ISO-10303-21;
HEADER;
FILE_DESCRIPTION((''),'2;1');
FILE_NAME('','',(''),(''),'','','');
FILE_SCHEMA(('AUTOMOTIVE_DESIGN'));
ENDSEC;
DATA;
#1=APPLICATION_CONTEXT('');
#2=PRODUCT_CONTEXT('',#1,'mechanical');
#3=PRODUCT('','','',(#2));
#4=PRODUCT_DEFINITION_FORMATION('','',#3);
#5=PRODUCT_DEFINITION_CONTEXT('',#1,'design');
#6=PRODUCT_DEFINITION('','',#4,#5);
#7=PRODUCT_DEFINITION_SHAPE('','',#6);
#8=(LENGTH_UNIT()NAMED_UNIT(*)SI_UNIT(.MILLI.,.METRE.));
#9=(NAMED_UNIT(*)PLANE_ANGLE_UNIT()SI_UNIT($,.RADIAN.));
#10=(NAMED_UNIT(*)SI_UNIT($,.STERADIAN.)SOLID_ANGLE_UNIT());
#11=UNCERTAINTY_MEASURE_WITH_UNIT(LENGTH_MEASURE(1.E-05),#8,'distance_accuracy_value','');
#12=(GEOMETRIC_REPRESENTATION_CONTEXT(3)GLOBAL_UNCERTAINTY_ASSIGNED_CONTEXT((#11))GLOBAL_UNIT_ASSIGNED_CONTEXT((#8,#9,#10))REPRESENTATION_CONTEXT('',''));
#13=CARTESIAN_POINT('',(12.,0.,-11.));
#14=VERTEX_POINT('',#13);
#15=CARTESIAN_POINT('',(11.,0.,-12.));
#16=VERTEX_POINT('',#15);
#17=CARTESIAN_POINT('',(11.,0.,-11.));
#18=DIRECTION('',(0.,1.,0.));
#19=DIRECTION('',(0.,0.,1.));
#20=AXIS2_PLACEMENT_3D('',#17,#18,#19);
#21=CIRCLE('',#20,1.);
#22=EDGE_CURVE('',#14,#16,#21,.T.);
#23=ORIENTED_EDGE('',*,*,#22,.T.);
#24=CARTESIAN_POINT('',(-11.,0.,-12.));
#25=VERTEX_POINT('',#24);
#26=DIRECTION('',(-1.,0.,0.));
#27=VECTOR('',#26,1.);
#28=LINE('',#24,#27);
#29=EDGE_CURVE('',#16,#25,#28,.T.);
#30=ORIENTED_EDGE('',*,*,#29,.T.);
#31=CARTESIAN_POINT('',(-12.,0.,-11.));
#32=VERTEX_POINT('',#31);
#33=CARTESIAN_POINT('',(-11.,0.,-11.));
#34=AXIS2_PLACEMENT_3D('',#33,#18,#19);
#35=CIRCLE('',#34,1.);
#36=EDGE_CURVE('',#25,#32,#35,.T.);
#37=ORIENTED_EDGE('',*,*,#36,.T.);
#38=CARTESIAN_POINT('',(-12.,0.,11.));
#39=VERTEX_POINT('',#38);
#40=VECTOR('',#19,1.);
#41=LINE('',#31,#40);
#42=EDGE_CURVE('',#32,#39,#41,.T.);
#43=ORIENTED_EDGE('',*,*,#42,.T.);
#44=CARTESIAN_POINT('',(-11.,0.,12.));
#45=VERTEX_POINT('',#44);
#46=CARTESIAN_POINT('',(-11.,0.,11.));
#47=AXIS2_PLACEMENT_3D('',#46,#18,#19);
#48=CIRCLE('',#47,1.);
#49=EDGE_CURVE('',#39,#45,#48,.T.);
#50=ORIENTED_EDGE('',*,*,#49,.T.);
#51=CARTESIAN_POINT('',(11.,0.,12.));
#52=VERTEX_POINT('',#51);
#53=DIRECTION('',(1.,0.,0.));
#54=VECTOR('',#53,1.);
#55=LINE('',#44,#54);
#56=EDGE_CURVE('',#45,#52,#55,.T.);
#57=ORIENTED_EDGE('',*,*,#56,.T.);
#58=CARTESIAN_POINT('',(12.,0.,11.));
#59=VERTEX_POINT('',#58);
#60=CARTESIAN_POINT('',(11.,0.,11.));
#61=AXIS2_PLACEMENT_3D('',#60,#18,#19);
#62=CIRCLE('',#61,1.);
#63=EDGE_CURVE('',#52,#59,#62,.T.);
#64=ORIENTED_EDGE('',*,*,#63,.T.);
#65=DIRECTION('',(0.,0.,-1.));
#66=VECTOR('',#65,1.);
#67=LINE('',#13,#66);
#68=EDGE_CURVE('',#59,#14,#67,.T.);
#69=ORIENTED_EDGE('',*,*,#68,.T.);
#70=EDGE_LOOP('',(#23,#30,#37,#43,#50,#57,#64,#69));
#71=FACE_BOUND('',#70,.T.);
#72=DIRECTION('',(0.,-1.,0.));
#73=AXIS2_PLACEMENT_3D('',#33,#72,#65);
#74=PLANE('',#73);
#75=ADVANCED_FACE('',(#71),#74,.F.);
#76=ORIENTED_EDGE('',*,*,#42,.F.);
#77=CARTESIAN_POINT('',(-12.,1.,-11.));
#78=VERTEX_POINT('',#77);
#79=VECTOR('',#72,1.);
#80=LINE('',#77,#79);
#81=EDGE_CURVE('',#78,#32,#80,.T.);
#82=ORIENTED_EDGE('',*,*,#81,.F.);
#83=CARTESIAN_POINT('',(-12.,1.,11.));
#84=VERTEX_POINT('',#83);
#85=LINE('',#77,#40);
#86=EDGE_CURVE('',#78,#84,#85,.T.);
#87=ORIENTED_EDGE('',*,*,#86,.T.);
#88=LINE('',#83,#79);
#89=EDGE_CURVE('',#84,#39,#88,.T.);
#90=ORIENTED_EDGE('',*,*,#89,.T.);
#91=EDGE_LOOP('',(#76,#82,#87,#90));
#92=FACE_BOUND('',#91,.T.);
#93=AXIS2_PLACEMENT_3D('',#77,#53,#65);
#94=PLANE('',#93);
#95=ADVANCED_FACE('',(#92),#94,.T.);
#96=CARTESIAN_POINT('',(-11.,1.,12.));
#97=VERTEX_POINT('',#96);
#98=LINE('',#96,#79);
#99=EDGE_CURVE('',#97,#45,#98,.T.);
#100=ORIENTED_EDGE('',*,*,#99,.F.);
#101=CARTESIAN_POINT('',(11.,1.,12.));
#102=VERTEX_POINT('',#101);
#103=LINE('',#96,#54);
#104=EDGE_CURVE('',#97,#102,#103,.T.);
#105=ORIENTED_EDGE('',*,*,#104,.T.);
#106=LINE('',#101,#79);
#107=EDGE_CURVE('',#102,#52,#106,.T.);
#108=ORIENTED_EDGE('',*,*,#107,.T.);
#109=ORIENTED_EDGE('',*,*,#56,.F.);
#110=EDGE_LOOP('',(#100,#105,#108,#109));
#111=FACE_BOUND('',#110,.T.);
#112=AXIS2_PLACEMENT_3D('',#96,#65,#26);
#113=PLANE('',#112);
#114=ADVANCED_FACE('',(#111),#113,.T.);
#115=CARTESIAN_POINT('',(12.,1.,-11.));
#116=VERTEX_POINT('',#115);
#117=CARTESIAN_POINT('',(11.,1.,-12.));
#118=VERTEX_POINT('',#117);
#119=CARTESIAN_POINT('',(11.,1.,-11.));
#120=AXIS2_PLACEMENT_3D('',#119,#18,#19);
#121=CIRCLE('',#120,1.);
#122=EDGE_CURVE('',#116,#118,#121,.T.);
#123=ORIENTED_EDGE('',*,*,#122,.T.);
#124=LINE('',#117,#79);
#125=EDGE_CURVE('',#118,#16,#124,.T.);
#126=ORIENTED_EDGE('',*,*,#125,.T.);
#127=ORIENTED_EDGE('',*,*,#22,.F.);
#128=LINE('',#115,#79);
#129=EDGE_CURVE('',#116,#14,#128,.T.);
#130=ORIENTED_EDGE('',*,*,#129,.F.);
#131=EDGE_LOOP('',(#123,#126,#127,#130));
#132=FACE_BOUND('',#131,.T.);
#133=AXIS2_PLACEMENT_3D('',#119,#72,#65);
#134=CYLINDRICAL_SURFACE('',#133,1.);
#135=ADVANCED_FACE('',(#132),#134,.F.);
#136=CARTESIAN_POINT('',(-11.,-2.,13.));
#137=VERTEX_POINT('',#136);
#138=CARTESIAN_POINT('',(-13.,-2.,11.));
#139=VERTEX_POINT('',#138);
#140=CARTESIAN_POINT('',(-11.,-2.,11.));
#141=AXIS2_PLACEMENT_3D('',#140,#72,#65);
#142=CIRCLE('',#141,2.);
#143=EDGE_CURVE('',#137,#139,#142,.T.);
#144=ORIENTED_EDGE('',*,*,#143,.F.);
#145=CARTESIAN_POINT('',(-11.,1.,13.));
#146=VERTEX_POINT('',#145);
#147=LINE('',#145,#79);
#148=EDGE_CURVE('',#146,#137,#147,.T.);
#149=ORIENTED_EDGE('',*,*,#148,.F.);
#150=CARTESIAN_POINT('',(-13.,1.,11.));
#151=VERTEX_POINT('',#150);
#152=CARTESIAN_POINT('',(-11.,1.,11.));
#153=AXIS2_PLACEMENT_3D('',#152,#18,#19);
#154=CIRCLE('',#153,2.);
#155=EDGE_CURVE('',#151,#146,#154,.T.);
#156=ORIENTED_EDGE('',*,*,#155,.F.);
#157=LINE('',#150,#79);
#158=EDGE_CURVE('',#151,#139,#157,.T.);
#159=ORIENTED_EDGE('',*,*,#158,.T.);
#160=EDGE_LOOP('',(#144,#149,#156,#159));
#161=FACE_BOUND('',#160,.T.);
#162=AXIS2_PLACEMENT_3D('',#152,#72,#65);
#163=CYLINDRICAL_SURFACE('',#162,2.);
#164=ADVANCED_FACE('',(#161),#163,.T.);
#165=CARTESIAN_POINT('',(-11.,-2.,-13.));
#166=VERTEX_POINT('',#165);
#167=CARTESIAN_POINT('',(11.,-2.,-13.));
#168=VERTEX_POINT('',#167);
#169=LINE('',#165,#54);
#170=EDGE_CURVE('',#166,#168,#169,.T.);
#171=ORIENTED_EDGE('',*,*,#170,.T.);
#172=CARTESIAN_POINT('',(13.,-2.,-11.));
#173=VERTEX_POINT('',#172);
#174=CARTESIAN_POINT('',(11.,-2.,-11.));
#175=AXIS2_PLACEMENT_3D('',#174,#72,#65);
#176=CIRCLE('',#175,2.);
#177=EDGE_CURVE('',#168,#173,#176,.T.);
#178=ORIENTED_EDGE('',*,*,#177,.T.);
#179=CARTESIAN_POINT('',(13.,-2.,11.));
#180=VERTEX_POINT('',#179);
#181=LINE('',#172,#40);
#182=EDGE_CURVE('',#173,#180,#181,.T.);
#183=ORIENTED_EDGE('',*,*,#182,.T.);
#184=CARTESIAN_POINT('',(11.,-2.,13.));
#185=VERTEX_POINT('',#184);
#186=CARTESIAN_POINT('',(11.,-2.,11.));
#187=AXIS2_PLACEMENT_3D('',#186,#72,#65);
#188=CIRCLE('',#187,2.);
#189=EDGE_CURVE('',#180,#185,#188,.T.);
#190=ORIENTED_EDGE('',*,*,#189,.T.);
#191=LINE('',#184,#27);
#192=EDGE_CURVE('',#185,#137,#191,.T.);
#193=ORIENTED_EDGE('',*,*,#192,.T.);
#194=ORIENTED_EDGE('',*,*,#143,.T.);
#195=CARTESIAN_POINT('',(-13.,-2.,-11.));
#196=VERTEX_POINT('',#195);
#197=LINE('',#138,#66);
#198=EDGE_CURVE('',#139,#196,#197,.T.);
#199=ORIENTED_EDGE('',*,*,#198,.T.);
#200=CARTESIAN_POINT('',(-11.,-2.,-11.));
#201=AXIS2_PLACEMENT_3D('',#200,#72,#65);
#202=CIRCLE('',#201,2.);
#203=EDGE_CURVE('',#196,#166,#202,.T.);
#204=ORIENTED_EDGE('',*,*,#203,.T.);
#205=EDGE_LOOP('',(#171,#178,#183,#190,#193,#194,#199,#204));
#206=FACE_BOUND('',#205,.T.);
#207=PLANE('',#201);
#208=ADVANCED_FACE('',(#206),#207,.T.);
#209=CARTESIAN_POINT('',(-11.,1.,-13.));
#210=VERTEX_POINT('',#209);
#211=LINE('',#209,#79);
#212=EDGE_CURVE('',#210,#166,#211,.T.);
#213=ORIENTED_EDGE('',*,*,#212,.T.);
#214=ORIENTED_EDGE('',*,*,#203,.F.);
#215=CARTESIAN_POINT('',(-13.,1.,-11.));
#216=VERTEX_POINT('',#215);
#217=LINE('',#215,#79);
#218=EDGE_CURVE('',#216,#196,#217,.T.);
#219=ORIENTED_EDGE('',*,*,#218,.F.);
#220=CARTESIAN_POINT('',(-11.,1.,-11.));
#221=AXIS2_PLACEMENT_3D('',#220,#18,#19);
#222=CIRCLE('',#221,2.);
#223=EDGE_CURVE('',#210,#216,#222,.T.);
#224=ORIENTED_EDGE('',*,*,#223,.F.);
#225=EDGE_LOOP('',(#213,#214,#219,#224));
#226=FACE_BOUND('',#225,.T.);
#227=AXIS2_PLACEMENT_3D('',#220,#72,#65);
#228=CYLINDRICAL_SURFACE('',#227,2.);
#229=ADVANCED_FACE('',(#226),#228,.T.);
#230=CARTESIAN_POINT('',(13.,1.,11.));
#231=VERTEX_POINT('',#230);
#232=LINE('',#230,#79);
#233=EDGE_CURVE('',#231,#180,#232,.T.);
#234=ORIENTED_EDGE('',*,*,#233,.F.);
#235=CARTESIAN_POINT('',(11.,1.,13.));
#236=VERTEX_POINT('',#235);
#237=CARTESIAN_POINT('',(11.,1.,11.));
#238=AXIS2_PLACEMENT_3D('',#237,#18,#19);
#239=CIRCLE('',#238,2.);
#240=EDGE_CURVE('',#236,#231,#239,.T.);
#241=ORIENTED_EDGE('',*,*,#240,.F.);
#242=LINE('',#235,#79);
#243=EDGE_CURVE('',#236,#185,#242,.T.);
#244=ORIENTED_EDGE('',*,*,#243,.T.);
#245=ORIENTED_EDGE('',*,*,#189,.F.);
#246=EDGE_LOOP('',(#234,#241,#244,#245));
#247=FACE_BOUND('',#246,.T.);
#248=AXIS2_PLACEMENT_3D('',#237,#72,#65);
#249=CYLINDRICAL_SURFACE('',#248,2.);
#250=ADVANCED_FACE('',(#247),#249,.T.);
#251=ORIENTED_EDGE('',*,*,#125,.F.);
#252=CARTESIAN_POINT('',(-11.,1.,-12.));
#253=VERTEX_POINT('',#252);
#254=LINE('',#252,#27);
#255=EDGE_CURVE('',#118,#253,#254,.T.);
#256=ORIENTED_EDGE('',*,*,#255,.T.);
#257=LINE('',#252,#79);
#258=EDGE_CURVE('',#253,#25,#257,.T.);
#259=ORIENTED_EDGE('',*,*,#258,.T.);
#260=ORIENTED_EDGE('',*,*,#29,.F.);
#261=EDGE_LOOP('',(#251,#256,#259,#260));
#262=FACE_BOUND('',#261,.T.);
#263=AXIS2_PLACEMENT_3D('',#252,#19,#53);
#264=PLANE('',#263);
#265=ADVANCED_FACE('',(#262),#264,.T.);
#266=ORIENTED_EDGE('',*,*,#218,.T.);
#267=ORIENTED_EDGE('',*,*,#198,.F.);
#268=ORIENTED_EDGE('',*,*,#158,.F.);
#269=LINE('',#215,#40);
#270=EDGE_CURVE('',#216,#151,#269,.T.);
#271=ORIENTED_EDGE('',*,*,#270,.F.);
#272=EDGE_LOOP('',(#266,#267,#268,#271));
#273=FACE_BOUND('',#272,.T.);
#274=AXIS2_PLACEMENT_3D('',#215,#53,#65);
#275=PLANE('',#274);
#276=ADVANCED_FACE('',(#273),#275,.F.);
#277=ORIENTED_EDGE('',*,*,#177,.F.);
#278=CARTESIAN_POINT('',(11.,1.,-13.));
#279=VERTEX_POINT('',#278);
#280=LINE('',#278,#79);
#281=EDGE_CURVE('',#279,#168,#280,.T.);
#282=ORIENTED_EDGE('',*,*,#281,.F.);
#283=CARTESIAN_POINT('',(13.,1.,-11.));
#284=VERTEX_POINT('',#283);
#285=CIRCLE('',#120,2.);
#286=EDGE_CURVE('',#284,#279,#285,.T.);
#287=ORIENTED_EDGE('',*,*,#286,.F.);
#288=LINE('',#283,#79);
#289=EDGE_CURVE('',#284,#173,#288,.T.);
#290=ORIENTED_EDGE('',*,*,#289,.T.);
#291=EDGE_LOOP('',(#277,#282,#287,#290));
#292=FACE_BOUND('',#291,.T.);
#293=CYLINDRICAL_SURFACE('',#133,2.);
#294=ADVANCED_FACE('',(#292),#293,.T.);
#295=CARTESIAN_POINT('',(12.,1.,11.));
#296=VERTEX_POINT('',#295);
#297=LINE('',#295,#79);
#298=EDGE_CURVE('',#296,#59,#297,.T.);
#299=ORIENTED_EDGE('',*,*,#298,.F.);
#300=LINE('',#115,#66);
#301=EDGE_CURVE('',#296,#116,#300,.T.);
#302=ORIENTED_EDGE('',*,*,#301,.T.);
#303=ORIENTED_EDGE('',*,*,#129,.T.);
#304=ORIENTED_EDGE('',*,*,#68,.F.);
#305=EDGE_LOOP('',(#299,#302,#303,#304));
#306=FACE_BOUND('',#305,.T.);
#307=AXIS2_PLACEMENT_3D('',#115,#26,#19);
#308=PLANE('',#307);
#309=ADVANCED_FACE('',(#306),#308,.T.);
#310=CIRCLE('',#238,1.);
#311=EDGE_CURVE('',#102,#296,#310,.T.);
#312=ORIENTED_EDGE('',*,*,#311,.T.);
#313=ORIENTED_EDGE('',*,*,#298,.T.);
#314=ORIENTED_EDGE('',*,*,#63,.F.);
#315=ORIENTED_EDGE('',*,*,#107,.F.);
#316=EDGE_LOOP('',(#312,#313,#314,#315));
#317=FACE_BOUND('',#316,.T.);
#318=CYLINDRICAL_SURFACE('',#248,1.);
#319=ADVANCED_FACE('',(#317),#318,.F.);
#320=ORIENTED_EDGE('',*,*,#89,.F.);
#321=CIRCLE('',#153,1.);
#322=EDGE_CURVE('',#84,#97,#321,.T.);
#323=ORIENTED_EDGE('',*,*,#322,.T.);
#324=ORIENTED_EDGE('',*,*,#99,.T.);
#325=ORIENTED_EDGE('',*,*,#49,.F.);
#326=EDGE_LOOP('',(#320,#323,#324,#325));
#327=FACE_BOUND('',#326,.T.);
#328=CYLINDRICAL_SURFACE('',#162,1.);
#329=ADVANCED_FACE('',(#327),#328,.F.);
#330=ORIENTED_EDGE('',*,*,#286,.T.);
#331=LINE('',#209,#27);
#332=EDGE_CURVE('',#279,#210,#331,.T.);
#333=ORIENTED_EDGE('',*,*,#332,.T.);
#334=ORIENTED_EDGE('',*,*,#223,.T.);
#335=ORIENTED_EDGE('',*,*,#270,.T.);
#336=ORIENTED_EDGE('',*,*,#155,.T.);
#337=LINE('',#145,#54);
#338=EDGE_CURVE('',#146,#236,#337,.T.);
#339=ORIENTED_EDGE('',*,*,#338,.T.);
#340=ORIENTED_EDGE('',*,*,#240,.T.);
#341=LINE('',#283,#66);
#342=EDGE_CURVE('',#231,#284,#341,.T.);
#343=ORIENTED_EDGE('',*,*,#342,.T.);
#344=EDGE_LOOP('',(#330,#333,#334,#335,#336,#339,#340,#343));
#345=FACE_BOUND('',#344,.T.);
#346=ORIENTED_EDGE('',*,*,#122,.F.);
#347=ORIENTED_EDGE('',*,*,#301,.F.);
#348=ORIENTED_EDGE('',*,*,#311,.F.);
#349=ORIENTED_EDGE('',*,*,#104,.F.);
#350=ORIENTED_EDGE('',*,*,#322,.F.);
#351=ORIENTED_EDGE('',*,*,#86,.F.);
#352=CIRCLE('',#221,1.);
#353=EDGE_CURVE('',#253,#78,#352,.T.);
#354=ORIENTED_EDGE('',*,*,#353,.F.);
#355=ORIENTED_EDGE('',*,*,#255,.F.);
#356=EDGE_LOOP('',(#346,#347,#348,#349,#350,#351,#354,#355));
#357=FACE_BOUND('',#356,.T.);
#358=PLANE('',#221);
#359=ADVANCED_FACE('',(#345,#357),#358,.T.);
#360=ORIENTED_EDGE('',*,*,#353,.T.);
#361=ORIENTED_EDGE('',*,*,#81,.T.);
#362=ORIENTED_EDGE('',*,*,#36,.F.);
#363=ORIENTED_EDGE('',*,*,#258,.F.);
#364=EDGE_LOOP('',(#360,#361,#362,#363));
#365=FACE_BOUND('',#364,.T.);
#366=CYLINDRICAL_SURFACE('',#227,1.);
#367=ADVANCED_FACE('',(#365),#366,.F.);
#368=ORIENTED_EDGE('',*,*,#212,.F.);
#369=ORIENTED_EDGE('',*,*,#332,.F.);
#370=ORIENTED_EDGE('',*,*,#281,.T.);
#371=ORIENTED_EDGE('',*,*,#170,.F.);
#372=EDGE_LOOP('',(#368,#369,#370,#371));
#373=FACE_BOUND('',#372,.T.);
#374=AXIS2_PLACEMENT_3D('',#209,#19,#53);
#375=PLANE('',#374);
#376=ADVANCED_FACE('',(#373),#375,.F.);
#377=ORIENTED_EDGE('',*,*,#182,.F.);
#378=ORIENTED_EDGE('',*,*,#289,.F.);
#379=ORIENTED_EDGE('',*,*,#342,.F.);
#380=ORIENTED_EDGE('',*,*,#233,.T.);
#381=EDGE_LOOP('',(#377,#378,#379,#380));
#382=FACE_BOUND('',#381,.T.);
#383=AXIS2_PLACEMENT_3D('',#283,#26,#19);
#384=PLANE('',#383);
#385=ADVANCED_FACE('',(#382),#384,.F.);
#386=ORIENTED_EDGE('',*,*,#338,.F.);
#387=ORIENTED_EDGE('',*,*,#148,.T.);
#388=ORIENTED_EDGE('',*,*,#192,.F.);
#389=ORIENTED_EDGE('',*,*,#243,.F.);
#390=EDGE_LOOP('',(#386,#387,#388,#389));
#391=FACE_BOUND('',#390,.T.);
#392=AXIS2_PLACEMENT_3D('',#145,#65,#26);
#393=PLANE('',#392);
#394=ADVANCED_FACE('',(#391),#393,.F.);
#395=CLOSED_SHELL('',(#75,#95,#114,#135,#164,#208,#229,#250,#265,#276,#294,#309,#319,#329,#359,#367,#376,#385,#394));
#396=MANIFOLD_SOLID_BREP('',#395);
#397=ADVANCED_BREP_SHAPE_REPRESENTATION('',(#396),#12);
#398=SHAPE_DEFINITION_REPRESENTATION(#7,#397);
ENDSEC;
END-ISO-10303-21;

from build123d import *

# Parameters (mm, degrees)
BOSS_EXTRUDE1_DEPTH = 1
BOSS_EXTRUDE2_DEPTH = 2


with BuildPart() as part:
    # Sketch1 → Boss-Extrude1 (new body)
    with BuildSketch(Plane(origin=(0, 0, 0), x_dir=(1, 0, 0), z_dir=(0, 1, 0))):
        with BuildLine():
            Line((-13, 11), (-13, -11))
            ThreePointArc((-13, -11), (-12.414213562, -12.414213562), (-11, -13))
            Line((-11, -13), (11, -13))
            ThreePointArc((11, -13), (12.414213562, -12.414213562), (13, -11))
            Line((13, -11), (13, 11))
            ThreePointArc((13, 11), (12.414213562, 12.414213562), (11, 13))
            Line((11, 13), (-11, 13))
            ThreePointArc((-11, 13), (-12.414213562, 12.414213562), (-13, 11))
        make_face()
        with BuildLine():
            Line((-11, 12), (11, 12))
            ThreePointArc((11, 12), (11.707106781, 11.707106781), (12, 11))
            Line((12, 11), (12, -11))
            ThreePointArc((12, -11), (11.707106781, -11.707106781), (11, -12))
            Line((11, -12), (-11, -12))
            ThreePointArc((-11, -12), (-11.707106781, -11.707106781), (-12, -11))
            Line((-12, -11), (-12, 11))
            ThreePointArc((-12, 11), (-11.707106781, 11.707106781), (-11, 12))
        make_face(mode=Mode.SUBTRACT)
    extrude(amount=BOSS_EXTRUDE1_DEPTH)

    # Sketch2 → Boss-Extrude2 (add)
    with BuildSketch(Plane.XZ):
        with BuildLine():
            Line((-11, -13), (11, -13))
            ThreePointArc((11, -13), (12.414213562, -12.414213562), (13, -11))
            Line((13, -11), (13, 11))
            ThreePointArc((13, 11), (12.414213562, 12.414213562), (11, 13))
            Line((11, 13), (-11, 13))
            ThreePointArc((-11, 13), (-12.414213562, 12.414213562), (-13, 11))
            Line((-13, 11), (-13, -11))
            ThreePointArc((-13, -11), (-12.414213562, -12.414213562), (-11, -13))
        make_face()
    extrude(amount=BOSS_EXTRUDE2_DEPTH)


solid = part.part
